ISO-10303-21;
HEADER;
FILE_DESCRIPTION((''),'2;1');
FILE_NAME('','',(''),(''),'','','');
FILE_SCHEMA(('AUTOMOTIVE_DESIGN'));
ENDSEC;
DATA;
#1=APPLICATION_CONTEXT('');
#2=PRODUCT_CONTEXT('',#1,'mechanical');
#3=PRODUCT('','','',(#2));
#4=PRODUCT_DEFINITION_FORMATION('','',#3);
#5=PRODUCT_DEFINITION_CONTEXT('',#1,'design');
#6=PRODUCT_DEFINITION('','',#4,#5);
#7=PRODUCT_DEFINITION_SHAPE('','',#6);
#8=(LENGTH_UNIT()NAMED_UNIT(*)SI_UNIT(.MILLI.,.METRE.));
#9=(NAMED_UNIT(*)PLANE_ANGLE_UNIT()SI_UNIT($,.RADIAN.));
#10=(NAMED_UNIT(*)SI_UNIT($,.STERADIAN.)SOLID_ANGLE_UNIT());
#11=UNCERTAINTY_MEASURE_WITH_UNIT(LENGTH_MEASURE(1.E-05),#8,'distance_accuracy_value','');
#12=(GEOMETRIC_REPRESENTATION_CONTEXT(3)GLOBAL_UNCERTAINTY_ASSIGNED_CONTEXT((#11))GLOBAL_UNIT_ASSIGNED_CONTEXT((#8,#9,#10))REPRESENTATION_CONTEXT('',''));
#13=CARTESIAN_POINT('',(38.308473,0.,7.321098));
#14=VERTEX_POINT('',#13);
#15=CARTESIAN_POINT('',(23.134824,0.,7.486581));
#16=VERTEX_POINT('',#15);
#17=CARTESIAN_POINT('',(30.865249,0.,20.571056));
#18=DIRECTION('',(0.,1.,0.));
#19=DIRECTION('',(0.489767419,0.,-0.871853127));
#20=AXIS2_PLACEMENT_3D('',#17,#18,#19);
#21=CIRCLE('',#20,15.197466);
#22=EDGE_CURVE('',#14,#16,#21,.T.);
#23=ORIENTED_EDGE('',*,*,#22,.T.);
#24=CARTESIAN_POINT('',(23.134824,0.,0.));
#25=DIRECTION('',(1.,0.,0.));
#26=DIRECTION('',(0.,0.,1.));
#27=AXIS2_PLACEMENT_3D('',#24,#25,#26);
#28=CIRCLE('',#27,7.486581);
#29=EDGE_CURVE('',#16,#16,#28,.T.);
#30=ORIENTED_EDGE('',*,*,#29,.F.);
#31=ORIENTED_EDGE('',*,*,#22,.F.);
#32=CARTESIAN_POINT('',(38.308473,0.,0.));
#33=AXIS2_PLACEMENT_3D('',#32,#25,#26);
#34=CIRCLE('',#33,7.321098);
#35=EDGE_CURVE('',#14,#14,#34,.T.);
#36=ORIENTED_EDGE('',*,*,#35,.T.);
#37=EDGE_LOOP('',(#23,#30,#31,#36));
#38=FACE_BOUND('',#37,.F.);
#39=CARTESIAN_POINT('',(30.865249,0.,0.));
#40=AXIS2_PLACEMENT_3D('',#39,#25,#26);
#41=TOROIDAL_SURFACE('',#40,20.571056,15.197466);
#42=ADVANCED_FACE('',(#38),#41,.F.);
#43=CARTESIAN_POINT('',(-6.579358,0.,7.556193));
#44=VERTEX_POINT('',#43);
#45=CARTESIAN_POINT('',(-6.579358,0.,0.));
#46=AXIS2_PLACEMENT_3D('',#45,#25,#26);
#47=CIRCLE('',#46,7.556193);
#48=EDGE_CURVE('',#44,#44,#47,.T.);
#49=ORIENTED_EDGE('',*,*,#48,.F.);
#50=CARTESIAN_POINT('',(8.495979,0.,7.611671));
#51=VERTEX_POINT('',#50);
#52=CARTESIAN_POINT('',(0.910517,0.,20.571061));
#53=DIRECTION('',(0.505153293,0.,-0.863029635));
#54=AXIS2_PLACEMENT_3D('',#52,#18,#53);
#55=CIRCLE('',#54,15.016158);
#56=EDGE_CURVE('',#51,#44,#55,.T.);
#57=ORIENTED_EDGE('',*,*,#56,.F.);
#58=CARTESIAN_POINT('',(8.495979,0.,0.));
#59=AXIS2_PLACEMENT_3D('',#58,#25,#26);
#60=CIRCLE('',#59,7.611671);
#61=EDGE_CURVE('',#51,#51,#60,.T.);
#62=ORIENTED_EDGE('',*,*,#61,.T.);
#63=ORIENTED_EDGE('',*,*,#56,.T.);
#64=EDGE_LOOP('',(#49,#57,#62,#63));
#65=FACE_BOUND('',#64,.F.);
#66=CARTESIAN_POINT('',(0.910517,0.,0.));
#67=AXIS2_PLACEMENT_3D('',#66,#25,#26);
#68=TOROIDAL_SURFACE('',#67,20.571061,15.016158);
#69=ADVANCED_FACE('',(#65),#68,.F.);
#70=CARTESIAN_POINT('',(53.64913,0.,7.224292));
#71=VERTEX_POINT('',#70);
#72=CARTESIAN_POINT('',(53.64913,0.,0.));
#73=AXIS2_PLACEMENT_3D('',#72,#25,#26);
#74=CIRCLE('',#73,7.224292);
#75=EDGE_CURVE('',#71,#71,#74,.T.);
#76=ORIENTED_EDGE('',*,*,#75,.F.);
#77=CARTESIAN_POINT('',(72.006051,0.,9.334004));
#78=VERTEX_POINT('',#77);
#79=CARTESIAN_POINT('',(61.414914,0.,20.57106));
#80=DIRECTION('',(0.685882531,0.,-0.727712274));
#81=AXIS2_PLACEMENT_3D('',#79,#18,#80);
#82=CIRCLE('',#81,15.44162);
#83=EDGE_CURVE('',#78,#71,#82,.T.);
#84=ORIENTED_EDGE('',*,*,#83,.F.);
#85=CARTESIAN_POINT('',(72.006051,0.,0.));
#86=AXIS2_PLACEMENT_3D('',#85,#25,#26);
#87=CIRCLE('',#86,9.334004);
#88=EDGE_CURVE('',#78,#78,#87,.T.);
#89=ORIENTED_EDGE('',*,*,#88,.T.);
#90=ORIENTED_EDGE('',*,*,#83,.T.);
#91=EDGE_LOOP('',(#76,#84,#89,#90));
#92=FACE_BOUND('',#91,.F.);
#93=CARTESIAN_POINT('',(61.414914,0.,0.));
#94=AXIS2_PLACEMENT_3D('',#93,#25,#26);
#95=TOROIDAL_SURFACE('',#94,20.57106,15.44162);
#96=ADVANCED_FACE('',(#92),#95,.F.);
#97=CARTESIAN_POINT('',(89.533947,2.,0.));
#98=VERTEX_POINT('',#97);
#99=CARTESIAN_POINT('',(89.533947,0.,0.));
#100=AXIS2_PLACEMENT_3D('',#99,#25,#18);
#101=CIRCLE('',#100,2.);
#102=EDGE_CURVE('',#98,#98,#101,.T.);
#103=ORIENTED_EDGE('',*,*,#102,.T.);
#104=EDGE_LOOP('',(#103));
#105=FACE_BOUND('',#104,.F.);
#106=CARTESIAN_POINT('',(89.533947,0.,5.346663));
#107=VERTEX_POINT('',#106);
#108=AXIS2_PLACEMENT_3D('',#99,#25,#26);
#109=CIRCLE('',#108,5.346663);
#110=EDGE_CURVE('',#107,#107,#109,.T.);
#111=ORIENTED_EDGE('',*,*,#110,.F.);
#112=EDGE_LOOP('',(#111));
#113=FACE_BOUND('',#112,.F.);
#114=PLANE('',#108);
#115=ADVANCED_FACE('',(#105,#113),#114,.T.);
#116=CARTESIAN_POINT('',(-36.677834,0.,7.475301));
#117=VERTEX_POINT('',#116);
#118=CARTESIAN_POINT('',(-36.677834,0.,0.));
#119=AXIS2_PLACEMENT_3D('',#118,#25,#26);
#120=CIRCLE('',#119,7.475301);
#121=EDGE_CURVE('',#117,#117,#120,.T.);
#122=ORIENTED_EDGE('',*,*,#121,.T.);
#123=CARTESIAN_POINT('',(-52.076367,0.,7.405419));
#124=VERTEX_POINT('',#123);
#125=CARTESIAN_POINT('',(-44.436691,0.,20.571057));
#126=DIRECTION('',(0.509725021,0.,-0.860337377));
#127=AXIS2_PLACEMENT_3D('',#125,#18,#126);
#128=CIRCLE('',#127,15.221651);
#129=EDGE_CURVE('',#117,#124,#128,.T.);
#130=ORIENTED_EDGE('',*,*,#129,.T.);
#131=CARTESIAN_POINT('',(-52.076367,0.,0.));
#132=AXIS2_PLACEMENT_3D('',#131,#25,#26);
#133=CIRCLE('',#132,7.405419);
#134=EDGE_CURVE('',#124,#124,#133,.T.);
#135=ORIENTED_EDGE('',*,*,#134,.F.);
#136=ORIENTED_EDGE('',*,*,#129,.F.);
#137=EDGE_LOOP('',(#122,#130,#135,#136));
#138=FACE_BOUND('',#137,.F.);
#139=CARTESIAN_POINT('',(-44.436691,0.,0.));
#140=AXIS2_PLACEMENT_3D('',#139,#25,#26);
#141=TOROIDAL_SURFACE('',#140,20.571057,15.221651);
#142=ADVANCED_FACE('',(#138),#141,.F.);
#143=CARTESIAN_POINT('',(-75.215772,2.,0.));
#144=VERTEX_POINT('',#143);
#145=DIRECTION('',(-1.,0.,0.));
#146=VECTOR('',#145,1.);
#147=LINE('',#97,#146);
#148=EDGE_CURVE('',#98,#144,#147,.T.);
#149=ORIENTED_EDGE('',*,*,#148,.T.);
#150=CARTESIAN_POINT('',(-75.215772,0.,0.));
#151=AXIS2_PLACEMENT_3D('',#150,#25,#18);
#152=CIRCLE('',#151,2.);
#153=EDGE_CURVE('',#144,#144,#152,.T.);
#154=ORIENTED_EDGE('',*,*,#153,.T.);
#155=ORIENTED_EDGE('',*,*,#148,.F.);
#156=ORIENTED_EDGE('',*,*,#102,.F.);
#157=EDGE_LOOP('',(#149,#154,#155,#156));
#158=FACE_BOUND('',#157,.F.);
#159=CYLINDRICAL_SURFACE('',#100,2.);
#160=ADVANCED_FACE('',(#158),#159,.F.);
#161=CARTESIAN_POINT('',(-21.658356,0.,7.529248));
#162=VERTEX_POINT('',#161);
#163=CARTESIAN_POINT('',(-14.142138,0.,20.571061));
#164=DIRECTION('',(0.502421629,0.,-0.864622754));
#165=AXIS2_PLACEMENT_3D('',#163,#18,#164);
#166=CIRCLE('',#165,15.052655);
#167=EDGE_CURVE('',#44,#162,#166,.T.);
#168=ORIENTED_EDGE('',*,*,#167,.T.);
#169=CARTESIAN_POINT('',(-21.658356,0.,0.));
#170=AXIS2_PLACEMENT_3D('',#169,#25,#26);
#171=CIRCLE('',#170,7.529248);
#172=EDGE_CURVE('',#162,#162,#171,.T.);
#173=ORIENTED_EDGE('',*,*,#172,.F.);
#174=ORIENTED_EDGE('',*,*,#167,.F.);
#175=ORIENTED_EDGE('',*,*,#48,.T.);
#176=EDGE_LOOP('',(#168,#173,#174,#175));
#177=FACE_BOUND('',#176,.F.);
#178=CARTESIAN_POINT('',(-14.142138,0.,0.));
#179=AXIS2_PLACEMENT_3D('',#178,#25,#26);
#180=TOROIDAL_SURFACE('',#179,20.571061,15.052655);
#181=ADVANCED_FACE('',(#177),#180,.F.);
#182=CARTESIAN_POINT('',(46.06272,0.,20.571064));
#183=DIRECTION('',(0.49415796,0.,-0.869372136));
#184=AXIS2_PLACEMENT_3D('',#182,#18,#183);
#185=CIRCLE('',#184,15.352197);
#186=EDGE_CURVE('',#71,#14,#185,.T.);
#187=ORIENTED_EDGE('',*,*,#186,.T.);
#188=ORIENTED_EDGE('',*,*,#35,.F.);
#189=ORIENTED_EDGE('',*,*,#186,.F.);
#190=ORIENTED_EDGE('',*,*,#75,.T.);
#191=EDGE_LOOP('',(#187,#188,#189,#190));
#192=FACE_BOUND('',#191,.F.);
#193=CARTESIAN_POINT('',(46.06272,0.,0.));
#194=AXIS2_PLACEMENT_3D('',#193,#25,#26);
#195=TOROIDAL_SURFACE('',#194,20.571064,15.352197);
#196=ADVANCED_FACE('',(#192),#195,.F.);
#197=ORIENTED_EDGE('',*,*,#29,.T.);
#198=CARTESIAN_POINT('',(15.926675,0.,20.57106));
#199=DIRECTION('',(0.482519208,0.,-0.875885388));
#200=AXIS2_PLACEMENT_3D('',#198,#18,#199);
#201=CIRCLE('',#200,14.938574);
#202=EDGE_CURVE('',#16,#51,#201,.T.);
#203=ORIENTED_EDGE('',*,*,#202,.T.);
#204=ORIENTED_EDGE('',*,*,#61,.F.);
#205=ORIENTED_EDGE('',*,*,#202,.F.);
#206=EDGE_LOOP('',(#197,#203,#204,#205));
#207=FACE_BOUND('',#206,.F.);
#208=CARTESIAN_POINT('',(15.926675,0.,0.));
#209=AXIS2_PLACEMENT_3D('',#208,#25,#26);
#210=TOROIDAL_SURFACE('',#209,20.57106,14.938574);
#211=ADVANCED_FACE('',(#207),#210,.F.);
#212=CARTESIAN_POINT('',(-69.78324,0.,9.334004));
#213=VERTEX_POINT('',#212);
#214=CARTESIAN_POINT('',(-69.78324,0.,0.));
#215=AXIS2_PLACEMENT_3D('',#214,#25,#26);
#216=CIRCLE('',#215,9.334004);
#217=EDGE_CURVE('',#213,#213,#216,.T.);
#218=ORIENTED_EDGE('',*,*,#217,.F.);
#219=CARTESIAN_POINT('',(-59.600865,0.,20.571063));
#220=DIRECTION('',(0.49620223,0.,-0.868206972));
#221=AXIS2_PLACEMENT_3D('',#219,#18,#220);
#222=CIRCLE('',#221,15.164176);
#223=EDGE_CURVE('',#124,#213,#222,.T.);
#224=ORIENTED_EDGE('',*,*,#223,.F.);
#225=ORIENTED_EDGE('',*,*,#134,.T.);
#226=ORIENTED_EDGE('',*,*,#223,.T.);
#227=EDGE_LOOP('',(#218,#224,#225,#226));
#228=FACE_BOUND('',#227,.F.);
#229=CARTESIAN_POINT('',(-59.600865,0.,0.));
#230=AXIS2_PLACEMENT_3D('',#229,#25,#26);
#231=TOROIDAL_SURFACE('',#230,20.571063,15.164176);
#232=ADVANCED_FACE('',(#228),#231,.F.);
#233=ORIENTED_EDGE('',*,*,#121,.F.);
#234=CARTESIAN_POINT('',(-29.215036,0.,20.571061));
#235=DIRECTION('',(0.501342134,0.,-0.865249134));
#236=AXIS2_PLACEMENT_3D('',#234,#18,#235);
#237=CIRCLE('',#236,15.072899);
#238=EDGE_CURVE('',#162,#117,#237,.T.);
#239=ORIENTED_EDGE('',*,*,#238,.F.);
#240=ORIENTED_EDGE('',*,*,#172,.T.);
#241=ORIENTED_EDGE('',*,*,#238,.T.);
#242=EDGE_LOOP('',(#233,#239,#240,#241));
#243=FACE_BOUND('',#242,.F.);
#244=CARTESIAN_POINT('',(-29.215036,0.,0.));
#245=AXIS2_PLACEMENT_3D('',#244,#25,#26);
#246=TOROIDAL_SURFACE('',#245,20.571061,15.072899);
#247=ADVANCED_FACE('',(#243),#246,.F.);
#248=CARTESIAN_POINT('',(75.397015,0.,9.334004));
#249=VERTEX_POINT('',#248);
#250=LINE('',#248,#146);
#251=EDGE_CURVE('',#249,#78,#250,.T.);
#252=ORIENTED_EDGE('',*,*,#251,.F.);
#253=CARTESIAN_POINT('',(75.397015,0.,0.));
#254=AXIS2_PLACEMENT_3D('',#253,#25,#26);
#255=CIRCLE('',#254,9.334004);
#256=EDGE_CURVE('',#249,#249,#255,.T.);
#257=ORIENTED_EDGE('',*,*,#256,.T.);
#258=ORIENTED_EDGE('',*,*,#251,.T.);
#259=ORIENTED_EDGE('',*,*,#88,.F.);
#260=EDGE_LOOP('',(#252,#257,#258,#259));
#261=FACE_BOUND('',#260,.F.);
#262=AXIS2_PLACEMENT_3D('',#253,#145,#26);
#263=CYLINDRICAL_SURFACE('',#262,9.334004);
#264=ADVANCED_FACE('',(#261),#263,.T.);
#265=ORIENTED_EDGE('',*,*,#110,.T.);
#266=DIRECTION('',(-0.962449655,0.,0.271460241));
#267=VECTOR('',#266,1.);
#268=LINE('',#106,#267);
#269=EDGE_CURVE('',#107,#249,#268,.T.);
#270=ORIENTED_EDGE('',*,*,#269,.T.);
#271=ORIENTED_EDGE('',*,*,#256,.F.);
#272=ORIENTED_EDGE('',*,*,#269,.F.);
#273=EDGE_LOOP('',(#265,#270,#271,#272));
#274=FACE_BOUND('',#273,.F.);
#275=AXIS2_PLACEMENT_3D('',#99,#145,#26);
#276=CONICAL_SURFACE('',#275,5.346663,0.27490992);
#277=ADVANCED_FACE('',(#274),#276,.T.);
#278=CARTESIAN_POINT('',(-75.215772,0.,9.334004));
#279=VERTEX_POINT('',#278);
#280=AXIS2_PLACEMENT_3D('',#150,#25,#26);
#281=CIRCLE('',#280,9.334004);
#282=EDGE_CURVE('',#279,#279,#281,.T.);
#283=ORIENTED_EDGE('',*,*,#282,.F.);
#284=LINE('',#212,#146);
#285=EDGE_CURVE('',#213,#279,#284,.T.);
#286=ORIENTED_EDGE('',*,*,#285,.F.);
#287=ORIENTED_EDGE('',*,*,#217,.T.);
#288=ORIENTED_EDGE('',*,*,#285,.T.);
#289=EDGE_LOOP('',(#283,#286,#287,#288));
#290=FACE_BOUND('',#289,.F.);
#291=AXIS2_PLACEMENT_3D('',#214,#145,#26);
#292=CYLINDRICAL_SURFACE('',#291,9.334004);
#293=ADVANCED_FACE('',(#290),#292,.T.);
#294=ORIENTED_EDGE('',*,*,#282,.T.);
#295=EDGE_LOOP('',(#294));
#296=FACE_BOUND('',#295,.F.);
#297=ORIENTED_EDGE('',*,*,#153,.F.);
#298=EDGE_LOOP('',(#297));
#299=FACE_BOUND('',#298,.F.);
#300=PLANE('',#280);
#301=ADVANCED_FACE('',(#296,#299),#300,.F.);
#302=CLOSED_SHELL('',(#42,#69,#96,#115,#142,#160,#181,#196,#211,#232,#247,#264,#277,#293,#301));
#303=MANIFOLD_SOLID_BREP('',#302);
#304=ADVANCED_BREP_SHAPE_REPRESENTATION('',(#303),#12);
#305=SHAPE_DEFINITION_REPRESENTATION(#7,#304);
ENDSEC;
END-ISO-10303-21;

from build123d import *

# Parameters (mm, degrees)
F2_R     = 2
F3_DEPTH = 165


with BuildPart() as f1:
    # F0 (on Front) → F1 (revolve)
    with BuildSketch(Plane.XZ):
        with BuildLine():
            Line((-69.78324, 9.334004), (-75.215772, 9.334004))
            Line((-75.215772, 9.334004), (-75.215772, 0))
            Line((-75.215772, 0), (75.215764, 0))
            Line((75.215764, 0), (75.397015, 0))
            Line((75.397015, 0), (89.533947, 0))
            Line((89.533947, 0), (89.533947, 5.346663))
            Line((89.533947, 5.346663), (75.397015, 9.334004))
            Line((75.397015, 9.334004), (72.006051, 9.334004))
            ThreePointArc((72.006051, 9.334004), (63.177973, 5.23042), (53.64913, 7.224292))
            ThreePointArc((53.64913, 7.224292), (45.965843, 5.219173), (38.308473, 7.321098))
            ThreePointArc((38.308473, 7.321098), (30.699517, 5.374494), (23.134824, 7.486581))
            ThreePointArc((23.134824, 7.486581), (15.799028, 5.633031), (8.495979, 7.611671))
            ThreePointArc((8.495979, 7.611671), (0.965777, 5.555004), (-6.579358, 7.556193))
            ThreePointArc((-6.579358, 7.556193), (-14.11524, 5.51843), (-21.658356, 7.529248))
            ThreePointArc((-21.658356, 7.529248), (-29.160897, 5.498259), (-36.677834, 7.475301))
            ThreePointArc((-36.677834, 7.475301), (-44.367612, 5.349562), (-52.076367, 7.405419))
            ThreePointArc((-52.076367, 7.405419), (-61.242796, 5.49604), (-69.78324, 9.334004))
        make_face()
    revolve(axis=Axis((-4e-06, 0, 0), (1, 0, 0)))

    # F2 (on face) → F3 (cut)
    with BuildSketch(Plane.YZ.offset(89.533947)):
        Circle(F2_R)
    extrude(amount=-F3_DEPTH, mode=Mode.SUBTRACT)


solid = f1.part
